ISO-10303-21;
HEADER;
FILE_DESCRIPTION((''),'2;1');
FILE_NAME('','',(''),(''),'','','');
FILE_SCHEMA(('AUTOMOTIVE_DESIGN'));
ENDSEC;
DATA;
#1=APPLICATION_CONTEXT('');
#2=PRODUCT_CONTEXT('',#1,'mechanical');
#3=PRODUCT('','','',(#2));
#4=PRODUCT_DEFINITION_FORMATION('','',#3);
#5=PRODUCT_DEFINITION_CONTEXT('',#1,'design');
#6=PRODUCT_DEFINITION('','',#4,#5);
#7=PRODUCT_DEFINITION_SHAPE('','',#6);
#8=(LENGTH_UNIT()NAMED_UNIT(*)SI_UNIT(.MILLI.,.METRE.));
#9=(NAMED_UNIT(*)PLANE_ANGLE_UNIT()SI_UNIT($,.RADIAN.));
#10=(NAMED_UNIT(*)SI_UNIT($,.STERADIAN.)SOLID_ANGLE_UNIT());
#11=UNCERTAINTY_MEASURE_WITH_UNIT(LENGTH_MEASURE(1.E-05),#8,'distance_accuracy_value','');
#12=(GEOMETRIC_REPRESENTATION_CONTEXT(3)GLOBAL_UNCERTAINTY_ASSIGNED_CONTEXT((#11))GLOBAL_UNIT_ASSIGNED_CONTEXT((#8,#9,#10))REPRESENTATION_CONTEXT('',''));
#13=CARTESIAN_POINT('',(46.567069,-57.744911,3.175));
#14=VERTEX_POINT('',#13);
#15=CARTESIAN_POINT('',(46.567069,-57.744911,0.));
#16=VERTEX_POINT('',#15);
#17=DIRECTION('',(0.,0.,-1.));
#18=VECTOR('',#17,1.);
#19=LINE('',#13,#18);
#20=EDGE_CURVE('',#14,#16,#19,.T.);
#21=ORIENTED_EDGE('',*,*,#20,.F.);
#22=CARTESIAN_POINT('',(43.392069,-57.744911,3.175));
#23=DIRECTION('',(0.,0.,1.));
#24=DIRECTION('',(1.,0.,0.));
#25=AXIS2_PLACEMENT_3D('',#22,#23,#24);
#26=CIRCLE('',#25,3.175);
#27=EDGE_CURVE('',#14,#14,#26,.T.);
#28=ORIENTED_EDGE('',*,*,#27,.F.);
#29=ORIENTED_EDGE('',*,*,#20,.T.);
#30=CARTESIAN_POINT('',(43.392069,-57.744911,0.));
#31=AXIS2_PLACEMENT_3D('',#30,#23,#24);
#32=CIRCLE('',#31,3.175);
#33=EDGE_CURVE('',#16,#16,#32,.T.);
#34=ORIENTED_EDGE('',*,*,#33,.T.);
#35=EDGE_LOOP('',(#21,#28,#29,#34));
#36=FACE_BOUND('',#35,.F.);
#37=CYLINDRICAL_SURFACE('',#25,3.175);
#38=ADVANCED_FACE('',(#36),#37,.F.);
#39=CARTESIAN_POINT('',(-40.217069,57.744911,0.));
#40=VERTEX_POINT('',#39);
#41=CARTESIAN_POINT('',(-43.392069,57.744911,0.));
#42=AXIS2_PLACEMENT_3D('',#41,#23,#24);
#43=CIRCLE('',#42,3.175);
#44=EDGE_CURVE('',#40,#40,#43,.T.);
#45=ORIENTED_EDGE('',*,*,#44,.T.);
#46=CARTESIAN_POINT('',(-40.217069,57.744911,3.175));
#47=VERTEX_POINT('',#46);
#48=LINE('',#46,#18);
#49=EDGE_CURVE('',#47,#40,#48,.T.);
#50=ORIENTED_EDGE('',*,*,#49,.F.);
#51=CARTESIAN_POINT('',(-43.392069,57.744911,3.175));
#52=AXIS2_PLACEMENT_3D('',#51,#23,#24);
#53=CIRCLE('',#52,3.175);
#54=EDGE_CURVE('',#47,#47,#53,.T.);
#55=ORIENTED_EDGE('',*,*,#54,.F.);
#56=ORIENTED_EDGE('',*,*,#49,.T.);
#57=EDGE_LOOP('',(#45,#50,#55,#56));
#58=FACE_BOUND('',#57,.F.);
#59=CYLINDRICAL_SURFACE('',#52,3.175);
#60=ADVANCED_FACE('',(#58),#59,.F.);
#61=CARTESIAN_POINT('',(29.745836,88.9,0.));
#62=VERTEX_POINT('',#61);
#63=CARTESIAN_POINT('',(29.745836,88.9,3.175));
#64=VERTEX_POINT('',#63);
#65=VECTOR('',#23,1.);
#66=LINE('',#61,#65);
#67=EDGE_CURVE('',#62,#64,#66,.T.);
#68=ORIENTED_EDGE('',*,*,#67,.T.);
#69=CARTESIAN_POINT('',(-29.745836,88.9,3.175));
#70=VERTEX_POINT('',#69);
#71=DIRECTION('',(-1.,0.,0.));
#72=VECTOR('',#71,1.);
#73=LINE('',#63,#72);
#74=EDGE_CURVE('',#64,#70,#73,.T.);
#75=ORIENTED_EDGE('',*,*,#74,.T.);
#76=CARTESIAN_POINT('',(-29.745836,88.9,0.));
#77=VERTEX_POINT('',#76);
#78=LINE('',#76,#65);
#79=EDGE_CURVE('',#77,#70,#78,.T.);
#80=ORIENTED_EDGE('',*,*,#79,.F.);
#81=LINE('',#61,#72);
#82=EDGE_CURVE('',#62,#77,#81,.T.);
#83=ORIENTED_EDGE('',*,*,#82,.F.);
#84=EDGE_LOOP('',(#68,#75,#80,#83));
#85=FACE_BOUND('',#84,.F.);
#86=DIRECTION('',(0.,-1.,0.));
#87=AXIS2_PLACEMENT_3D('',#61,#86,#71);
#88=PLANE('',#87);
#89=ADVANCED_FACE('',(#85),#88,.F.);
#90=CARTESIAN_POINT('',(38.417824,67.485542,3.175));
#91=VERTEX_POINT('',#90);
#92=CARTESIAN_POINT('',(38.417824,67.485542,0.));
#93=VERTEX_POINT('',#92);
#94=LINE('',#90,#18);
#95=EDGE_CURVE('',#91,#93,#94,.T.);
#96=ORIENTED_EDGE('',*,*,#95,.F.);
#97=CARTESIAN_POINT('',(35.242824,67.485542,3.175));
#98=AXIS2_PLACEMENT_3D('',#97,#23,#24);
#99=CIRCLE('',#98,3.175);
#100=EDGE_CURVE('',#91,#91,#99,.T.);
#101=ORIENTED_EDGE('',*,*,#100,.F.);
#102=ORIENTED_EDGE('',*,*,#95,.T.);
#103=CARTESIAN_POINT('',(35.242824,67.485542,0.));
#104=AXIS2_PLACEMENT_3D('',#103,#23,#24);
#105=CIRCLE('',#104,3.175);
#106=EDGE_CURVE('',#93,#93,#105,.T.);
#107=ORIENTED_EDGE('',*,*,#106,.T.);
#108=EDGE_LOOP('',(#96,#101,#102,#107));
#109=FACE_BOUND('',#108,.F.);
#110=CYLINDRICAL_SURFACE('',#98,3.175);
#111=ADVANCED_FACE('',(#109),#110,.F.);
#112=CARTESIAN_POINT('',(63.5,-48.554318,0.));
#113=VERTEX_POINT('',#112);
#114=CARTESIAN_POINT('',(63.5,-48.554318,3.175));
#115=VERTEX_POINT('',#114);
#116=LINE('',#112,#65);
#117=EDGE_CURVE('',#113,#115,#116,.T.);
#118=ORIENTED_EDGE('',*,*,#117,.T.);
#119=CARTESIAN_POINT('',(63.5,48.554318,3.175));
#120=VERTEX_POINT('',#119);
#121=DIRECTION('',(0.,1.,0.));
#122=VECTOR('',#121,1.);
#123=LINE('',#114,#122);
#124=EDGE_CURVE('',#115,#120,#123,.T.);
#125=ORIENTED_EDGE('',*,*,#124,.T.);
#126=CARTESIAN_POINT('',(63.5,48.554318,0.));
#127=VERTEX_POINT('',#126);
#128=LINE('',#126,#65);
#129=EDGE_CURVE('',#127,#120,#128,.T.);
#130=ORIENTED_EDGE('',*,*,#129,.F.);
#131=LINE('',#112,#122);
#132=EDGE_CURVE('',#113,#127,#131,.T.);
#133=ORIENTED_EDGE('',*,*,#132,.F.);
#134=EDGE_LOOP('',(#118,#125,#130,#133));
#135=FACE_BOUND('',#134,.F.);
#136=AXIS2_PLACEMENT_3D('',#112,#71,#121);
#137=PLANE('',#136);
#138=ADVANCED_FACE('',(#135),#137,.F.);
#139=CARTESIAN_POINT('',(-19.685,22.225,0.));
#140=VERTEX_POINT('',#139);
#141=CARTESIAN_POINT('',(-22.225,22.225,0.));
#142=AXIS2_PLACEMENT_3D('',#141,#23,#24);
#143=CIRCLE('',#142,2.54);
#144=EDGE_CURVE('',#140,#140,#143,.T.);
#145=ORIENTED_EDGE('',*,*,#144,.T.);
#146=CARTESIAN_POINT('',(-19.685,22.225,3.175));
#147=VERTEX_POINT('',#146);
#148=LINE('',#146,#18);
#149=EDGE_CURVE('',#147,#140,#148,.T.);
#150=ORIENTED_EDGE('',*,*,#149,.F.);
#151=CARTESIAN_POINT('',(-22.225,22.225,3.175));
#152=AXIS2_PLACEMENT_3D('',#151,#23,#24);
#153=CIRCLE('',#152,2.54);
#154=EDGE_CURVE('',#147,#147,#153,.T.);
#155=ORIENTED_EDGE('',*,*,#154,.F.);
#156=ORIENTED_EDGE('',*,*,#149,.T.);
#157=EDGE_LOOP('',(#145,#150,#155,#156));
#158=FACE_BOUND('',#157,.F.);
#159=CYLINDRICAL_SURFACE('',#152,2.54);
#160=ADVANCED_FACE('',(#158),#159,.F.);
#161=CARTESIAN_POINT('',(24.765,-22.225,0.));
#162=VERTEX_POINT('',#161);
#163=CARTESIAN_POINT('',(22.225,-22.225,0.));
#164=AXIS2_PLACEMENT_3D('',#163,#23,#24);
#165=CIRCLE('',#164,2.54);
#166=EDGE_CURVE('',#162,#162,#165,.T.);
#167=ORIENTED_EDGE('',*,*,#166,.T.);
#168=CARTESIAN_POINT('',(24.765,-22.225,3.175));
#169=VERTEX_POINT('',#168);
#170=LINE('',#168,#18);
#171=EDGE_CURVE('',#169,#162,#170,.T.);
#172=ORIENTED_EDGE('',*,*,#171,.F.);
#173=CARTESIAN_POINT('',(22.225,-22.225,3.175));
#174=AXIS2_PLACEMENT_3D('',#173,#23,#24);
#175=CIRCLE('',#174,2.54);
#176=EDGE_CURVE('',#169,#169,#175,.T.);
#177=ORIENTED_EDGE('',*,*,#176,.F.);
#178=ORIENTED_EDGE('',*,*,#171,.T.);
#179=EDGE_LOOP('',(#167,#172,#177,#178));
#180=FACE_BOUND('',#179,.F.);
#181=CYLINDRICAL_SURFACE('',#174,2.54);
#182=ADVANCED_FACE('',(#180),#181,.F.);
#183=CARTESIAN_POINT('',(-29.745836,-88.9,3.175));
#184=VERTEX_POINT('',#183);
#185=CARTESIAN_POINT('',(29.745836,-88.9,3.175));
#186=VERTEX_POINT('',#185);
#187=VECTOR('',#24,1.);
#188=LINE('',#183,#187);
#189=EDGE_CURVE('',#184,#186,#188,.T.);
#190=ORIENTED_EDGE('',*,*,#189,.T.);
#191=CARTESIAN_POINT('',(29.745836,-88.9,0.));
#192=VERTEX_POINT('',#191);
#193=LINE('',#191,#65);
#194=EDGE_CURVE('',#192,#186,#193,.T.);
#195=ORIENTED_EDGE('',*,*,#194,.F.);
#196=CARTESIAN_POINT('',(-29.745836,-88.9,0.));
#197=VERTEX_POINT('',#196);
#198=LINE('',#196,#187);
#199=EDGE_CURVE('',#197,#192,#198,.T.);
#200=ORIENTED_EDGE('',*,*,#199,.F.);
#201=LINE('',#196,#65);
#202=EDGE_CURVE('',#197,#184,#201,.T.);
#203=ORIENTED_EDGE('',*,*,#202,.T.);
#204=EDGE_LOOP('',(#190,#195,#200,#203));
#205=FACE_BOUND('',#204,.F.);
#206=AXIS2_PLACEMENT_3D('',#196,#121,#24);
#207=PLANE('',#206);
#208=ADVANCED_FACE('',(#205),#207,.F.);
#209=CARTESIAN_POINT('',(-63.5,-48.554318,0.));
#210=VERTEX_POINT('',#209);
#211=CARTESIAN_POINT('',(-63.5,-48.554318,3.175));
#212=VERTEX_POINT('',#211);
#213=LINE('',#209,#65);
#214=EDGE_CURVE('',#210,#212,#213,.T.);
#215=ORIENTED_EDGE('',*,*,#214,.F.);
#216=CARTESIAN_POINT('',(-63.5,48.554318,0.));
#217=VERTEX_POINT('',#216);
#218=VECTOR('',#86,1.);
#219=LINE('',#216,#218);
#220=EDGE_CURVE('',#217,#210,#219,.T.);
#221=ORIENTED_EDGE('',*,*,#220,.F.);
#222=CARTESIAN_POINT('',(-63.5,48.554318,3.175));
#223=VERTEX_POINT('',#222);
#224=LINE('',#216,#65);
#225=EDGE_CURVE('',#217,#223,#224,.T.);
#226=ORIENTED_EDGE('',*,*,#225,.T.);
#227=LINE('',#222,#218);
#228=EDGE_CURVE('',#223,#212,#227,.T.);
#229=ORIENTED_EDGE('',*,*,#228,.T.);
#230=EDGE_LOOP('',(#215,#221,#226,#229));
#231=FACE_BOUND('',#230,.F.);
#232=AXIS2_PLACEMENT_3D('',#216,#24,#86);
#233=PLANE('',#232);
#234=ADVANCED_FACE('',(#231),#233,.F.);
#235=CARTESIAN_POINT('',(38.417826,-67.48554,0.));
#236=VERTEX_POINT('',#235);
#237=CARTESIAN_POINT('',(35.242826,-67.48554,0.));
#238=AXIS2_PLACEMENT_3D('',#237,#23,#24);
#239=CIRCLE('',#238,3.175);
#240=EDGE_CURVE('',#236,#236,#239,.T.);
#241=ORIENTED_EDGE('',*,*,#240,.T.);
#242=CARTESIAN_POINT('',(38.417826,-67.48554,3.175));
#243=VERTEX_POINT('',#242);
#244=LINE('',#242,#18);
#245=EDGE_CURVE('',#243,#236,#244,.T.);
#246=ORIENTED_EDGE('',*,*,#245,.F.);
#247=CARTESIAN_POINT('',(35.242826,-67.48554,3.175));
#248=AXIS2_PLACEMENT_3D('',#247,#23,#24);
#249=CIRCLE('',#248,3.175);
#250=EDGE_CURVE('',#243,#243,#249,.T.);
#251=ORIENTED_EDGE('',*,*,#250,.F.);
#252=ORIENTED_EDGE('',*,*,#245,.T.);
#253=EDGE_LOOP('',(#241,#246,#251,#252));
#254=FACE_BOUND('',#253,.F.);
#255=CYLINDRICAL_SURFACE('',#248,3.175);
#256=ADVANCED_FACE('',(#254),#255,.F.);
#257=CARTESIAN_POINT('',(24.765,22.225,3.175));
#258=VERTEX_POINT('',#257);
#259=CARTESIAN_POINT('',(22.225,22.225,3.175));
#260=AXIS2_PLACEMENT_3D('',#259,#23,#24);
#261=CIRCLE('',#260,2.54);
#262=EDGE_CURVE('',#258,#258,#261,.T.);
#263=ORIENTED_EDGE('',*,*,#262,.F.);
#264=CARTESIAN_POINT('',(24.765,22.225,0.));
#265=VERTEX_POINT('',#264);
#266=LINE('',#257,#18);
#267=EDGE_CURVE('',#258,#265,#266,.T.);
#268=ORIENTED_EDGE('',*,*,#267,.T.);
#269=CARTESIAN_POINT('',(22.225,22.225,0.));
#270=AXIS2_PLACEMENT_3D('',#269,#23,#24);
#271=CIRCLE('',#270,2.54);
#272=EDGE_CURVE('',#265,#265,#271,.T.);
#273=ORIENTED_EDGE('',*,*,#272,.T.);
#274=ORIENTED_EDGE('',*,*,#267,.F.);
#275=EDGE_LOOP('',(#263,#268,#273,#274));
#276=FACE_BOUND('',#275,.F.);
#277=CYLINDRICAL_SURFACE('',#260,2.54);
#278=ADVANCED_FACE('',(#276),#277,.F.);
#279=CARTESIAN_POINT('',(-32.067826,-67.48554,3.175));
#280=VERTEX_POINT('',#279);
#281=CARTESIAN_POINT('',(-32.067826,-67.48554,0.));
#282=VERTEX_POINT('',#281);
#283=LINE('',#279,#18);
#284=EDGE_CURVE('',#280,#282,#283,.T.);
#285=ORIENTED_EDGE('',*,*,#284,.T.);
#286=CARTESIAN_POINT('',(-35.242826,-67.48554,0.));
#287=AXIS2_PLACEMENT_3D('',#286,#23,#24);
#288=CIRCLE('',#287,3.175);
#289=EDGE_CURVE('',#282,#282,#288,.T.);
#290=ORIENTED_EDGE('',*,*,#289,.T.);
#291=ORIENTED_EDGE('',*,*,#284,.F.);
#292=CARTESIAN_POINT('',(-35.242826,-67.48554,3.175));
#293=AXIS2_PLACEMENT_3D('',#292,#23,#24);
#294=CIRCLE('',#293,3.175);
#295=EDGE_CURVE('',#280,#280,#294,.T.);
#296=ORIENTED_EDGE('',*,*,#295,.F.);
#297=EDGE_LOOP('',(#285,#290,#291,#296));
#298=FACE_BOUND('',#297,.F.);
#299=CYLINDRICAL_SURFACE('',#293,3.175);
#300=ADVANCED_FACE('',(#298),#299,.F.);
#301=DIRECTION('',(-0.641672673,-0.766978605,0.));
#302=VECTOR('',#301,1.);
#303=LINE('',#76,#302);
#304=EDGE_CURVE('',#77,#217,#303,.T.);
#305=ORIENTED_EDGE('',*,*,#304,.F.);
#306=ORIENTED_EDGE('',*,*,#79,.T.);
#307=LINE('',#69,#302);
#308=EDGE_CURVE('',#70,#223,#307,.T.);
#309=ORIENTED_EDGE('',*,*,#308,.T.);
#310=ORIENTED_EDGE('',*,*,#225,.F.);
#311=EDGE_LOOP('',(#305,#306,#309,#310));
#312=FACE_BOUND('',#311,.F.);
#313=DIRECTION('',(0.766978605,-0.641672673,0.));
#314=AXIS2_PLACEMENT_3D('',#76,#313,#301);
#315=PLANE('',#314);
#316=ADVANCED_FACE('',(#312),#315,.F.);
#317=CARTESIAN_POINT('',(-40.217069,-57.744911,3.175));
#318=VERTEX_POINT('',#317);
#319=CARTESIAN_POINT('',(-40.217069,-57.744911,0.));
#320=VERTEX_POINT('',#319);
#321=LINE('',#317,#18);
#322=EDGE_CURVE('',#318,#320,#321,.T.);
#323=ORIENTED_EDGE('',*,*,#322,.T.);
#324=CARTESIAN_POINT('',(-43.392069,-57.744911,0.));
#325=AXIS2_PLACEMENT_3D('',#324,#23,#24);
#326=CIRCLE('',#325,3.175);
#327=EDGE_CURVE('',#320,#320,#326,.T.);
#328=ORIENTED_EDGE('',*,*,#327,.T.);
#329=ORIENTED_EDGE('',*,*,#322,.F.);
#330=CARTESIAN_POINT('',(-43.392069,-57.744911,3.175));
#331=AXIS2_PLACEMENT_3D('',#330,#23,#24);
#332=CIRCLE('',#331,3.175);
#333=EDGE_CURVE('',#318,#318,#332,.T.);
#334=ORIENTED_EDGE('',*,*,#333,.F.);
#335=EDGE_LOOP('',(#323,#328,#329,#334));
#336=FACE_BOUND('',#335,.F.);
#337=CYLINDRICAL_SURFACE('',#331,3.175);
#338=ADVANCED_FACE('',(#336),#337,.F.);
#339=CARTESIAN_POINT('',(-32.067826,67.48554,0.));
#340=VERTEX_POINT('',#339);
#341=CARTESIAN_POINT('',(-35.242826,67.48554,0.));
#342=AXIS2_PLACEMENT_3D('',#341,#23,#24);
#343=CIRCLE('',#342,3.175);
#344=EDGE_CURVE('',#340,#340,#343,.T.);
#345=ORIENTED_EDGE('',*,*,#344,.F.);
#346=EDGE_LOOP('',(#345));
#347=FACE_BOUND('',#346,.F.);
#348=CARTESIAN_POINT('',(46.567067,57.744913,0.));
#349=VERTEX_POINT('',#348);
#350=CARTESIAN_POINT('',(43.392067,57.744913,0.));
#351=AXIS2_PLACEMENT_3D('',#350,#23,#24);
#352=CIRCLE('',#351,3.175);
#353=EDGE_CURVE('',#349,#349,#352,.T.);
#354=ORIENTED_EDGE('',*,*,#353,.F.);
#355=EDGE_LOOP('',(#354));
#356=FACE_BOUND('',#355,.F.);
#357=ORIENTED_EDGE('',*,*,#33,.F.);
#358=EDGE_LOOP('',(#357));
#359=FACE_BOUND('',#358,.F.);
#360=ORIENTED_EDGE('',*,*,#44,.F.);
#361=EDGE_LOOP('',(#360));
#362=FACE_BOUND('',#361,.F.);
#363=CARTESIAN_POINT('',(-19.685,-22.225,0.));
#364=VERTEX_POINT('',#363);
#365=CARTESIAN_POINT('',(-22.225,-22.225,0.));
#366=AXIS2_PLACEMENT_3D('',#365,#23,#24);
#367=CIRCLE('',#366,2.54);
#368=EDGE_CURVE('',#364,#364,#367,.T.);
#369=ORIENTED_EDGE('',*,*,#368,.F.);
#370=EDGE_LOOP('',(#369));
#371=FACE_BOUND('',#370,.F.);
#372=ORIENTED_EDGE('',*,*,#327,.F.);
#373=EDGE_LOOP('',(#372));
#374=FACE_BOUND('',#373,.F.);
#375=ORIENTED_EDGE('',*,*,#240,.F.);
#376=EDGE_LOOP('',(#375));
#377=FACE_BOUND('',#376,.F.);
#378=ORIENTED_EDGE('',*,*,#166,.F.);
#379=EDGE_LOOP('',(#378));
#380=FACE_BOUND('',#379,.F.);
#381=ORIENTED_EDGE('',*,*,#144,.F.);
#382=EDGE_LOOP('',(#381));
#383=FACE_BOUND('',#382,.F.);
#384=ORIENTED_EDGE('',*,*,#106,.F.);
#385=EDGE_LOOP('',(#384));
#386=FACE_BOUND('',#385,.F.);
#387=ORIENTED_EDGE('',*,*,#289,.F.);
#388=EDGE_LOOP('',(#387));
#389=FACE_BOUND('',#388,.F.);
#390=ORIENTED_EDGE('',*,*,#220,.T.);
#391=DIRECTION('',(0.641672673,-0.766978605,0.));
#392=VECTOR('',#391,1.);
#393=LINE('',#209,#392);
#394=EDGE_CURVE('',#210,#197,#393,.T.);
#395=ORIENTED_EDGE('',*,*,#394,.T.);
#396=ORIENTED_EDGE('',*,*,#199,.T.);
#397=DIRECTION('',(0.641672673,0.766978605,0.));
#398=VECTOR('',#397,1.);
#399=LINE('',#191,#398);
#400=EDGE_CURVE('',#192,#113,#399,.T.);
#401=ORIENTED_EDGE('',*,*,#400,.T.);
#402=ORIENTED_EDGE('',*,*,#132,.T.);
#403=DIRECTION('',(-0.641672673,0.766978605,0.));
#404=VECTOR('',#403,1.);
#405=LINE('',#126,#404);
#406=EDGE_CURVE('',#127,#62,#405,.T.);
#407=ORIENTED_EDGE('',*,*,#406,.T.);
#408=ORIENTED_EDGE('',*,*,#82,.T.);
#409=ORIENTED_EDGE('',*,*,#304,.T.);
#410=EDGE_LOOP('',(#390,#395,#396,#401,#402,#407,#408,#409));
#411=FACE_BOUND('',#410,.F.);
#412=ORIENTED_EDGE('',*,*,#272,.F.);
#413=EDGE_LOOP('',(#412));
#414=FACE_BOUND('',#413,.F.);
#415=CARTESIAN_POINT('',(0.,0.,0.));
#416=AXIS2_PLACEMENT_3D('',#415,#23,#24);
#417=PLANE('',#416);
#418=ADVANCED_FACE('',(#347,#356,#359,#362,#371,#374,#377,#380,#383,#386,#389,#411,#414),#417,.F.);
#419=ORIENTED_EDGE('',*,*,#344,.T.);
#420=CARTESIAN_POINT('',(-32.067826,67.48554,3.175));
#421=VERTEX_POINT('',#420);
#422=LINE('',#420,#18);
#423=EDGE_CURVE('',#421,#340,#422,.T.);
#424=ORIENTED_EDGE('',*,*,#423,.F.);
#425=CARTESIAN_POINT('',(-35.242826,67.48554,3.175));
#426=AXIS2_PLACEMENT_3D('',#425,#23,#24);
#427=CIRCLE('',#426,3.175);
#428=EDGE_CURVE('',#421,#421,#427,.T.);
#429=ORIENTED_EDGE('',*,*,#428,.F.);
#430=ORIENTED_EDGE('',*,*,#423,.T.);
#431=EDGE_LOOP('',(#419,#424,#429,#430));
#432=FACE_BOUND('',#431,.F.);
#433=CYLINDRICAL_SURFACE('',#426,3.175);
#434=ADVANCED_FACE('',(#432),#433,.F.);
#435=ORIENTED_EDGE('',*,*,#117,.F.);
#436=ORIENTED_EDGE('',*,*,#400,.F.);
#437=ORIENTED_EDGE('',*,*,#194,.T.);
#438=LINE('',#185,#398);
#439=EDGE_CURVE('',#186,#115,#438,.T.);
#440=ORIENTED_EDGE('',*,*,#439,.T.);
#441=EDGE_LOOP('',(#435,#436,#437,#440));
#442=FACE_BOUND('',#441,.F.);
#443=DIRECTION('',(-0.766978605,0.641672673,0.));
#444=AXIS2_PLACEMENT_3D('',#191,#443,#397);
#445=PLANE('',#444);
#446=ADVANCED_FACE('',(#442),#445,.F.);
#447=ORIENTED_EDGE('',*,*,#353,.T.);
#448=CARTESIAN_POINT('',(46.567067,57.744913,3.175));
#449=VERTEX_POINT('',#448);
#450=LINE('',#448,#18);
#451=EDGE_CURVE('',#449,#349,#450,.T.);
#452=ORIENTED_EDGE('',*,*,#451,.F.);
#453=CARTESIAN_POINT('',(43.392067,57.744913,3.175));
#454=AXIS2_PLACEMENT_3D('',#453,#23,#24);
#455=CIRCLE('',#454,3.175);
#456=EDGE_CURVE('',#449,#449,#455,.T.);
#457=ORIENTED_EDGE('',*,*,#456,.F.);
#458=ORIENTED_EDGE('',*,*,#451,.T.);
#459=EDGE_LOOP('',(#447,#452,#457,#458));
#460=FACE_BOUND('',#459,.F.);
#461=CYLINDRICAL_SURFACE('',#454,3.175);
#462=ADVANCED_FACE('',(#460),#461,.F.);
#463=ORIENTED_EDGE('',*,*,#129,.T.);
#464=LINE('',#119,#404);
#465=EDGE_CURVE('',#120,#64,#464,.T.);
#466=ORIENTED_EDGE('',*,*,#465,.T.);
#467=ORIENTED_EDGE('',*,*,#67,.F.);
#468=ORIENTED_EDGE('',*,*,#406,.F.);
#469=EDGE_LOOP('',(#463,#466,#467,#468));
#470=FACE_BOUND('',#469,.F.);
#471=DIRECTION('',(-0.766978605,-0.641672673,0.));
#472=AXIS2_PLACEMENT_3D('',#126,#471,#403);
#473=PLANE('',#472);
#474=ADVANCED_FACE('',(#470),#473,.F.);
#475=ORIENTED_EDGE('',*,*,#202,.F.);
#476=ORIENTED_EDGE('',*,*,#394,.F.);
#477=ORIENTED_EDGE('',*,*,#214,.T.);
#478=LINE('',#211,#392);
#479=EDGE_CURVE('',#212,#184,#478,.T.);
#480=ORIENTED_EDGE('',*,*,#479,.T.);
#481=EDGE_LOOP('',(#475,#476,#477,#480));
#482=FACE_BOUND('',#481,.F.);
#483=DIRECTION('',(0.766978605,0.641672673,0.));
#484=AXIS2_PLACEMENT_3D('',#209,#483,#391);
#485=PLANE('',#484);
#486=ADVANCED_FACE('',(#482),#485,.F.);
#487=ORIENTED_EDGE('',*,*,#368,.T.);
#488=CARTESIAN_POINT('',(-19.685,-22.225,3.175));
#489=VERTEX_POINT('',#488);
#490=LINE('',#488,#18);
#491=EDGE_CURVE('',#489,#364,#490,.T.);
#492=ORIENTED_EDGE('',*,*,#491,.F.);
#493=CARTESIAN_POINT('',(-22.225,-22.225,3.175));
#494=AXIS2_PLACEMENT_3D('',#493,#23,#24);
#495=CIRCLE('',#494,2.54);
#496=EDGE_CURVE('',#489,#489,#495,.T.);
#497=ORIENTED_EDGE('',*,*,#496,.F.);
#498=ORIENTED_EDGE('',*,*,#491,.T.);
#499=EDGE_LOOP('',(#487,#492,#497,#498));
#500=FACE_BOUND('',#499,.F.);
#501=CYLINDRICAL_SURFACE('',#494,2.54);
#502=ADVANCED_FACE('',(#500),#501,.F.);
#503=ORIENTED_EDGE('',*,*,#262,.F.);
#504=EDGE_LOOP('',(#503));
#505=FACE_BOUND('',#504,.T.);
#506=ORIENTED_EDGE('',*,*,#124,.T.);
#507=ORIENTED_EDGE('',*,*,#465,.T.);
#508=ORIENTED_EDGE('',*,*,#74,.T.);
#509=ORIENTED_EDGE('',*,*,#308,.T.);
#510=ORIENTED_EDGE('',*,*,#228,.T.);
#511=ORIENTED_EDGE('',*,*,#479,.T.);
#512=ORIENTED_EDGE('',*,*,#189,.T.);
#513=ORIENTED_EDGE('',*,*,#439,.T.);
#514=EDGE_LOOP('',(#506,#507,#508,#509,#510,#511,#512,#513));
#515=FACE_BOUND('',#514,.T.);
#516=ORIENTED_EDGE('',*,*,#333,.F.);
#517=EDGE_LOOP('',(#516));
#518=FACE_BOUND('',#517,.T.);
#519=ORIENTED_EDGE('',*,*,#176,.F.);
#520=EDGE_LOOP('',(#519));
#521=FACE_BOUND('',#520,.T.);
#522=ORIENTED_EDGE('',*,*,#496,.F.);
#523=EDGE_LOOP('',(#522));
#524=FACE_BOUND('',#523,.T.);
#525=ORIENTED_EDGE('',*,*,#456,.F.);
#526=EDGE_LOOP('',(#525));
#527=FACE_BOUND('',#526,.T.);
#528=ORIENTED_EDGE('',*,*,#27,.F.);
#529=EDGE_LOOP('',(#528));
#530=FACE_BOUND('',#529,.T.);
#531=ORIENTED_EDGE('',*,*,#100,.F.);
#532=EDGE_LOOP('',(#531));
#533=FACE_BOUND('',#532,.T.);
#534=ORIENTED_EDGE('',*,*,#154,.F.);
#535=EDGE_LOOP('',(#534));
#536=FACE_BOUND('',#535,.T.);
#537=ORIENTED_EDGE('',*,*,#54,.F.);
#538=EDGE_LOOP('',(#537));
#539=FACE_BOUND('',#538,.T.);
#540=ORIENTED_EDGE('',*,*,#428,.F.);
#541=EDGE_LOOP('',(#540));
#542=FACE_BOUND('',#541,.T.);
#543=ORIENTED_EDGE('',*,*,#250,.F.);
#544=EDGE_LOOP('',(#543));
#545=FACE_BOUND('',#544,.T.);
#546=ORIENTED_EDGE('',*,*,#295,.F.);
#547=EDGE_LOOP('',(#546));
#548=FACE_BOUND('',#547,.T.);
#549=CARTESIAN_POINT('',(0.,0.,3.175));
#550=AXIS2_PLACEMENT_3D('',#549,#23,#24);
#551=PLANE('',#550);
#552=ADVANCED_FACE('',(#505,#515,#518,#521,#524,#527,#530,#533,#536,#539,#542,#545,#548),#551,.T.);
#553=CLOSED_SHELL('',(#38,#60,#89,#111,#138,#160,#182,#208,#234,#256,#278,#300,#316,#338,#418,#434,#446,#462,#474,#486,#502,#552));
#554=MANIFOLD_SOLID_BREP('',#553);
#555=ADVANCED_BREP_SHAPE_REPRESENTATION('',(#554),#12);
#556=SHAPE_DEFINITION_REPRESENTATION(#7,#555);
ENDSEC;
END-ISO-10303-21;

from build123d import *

# Parameters (mm, degrees)
F1_DEPTH = 3.175
F2_R     = 3.175
F3_DEPTH = 25.4
F4_R     = 2.54
F5_DEPTH = 3.176


with BuildPart() as f1:
    # F0 (on Top) → F1 (new body)
    with BuildSketch(Plane.XY):
        Polygon((29.745836, 88.9), (-29.745836, 88.9), (-63.5, 48.554318), (-63.5, -48.554318), (-29.745836, -88.9), (29.745836, -88.9), (63.5, -48.554318), (63.5, 48.554318), align=None)
    extrude(amount=F1_DEPTH)

    # F2 (on face) → F3 (cut)
    with BuildSketch(Plane.XY.offset(3.175)):
        with Locations((-43.392069, 57.744911)):
            Circle(F2_R)
        with Locations((-35.242826, 67.48554)):
            Circle(F2_R)
        with Locations((35.242824, 67.485542)):
            Circle(F2_R)
        with Locations((43.392067, 57.744913)):
            Circle(F2_R)
        with Locations((43.392069, -57.744911)):
            Circle(F2_R)
        with Locations((35.242826, -67.48554)):
            Circle(F2_R)
        with Locations((-35.242826, -67.48554)):
            Circle(F2_R)
        with Locations((-43.392069, -57.744911)):
            Circle(F2_R)
    extrude(amount=-F3_DEPTH, mode=Mode.SUBTRACT)

    # F4 (on face) → F5 (cut, through all)
    with BuildSketch(Plane.XY.offset(3.175)):
        with Locations((-22.225, 22.225)):
            Circle(F4_R)
        with Locations((22.225, 22.225)):
            Circle(F4_R)
        with Locations((-22.225, -22.225)):
            Circle(F4_R)
        with Locations((22.225, -22.225)):
            Circle(F4_R)
    extrude(amount=-F5_DEPTH, mode=Mode.SUBTRACT)


solid = f1.part
